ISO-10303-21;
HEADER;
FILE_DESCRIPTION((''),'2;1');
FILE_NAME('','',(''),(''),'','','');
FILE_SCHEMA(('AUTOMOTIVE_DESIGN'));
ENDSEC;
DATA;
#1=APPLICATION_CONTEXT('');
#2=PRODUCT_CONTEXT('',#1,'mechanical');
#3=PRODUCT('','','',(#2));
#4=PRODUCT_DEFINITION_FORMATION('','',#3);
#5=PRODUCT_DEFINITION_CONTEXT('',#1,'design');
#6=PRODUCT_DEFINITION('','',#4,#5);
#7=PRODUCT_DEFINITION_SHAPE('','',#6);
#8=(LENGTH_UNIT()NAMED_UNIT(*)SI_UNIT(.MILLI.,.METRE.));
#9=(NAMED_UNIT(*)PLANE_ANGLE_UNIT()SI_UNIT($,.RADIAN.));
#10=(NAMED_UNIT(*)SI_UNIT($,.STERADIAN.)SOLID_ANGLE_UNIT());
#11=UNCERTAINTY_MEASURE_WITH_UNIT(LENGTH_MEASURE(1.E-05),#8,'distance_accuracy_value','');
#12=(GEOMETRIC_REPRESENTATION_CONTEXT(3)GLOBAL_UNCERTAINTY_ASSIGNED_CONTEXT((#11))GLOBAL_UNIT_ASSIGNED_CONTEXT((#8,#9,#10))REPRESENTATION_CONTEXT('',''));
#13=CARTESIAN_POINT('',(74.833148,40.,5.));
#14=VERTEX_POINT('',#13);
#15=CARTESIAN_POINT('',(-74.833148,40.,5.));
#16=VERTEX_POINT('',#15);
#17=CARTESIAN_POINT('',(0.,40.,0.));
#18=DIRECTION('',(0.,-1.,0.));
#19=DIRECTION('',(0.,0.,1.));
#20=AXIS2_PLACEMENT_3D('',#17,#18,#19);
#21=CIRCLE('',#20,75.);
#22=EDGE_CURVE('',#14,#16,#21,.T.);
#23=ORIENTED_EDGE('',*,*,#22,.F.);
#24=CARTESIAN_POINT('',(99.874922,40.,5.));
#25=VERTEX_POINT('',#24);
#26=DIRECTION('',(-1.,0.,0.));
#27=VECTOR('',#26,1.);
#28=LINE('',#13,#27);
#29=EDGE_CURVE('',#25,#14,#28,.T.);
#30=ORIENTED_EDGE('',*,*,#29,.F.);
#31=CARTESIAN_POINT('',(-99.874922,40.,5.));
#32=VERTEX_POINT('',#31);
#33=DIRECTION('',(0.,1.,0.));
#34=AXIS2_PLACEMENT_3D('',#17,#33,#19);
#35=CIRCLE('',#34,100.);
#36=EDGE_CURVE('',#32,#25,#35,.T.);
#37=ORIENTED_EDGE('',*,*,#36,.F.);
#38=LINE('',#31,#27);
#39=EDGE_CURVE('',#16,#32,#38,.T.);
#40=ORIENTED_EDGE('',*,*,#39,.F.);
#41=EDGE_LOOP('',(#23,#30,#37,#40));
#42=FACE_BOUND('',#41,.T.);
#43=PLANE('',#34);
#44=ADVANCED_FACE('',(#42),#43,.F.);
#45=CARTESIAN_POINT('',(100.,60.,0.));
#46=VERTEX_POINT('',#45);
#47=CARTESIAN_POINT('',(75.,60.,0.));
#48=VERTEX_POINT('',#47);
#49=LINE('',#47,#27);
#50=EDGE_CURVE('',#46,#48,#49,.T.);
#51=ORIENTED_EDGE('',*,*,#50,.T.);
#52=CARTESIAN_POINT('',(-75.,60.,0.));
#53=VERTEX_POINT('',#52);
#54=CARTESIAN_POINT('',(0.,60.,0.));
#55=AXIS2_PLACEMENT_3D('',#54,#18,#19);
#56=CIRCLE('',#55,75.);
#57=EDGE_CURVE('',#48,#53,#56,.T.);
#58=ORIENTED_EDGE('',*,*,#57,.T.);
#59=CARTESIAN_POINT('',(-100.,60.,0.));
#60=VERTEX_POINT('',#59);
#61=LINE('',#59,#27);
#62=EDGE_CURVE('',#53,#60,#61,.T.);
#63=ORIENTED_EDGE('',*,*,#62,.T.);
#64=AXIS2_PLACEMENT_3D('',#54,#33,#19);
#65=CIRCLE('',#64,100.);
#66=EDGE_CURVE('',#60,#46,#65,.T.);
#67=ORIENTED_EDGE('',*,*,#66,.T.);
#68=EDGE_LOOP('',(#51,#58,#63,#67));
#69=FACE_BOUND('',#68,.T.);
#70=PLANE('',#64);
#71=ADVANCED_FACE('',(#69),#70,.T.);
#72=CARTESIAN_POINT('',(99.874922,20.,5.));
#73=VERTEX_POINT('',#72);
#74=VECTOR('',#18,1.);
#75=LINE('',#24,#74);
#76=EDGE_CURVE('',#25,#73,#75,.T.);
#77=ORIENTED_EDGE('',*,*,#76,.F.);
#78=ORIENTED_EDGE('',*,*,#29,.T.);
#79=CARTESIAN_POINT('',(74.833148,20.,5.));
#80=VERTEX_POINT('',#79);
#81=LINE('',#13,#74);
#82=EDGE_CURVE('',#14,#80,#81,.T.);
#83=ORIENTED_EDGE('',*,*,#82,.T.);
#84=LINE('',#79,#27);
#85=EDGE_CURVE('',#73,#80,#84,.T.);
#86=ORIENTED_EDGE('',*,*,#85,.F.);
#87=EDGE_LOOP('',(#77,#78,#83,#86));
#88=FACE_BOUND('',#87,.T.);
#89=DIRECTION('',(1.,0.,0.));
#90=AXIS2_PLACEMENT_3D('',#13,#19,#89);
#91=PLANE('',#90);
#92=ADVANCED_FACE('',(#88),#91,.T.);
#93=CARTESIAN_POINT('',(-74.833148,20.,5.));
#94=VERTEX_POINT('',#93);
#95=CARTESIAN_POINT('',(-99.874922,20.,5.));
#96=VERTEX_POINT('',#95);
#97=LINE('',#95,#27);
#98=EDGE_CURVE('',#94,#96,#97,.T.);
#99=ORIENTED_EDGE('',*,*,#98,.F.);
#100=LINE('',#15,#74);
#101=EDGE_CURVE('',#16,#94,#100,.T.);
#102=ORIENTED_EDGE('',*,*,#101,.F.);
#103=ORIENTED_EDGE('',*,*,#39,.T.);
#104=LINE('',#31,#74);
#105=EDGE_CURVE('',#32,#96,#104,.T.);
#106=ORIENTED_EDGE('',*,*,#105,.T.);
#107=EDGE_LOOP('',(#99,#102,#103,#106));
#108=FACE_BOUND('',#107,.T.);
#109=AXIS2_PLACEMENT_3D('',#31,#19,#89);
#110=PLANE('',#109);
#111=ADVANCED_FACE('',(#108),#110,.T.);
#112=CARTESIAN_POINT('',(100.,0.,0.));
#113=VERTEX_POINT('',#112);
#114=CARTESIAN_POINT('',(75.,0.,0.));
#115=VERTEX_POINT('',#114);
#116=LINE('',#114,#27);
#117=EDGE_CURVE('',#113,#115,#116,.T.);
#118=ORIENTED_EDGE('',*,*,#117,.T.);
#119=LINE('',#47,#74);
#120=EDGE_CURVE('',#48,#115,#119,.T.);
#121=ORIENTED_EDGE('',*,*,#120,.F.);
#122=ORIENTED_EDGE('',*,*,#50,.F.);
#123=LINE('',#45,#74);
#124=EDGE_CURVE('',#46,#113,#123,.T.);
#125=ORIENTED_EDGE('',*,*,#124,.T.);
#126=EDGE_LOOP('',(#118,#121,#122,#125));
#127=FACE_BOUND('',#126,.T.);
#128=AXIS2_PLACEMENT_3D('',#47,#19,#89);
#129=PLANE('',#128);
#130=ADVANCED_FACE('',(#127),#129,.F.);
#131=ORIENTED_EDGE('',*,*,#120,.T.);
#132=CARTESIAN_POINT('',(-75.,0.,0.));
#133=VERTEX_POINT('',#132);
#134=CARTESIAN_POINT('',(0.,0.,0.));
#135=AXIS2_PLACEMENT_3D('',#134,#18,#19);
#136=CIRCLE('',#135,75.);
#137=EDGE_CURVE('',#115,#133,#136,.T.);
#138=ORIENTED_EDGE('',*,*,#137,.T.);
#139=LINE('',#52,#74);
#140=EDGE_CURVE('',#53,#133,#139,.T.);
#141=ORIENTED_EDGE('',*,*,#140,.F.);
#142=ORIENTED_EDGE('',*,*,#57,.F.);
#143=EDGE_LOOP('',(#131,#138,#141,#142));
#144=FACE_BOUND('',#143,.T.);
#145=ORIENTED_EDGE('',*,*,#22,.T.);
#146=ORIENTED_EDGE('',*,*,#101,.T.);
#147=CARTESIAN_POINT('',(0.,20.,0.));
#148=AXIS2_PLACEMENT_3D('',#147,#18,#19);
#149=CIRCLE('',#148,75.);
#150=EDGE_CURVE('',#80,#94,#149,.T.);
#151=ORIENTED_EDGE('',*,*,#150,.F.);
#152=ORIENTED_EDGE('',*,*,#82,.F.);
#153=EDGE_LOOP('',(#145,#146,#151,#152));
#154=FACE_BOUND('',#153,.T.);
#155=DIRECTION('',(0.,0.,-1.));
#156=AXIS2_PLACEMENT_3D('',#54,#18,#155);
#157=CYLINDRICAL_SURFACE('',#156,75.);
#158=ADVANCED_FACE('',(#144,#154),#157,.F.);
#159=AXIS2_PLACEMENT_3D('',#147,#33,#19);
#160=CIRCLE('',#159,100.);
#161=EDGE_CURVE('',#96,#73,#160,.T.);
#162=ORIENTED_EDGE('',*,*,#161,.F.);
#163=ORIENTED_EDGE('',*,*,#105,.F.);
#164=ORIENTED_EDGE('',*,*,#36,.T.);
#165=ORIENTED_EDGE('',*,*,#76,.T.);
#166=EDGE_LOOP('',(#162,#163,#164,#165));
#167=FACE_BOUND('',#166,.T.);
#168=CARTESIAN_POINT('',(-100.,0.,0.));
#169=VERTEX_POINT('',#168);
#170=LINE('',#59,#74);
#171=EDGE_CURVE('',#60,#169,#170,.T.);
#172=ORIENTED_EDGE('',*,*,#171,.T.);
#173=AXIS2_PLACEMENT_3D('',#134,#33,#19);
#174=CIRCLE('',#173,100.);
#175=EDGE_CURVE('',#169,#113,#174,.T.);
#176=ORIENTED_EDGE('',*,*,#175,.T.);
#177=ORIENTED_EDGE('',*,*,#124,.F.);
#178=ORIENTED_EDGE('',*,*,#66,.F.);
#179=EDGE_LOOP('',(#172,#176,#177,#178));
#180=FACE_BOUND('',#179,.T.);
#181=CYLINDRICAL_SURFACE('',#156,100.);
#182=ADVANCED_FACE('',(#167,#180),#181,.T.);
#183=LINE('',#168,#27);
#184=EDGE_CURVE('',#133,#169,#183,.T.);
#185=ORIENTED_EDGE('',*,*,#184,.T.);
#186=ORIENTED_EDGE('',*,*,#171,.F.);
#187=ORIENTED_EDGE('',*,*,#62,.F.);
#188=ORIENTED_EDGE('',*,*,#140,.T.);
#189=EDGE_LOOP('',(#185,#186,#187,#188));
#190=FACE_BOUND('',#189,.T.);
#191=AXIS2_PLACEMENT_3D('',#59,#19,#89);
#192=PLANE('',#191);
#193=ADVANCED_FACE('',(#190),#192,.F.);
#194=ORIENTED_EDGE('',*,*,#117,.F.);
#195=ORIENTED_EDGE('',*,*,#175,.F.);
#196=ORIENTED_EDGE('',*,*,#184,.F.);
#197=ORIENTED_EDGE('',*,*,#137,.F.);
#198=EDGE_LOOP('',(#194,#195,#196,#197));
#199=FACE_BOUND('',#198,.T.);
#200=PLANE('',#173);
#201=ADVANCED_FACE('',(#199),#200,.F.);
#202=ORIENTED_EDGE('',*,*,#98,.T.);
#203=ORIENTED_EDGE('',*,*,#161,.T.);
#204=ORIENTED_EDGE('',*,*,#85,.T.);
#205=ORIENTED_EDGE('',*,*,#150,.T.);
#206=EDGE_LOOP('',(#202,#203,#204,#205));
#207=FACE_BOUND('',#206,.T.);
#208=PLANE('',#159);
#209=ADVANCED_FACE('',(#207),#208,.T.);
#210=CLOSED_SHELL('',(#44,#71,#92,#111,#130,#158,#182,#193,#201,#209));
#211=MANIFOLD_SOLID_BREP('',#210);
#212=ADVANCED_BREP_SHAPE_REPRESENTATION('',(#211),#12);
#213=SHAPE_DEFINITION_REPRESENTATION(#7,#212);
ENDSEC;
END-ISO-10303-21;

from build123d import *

# Parameters (mm, degrees)
BOSS_EXTRUDE1_DEPTH     = 60
CUT_EXTRUDE4_DEPTH      = 10
CUT_EXTRUDE4_DEPTH_BACK = 10


with BuildPart() as part:
    # Sketch2 → Boss-Extrude1 (new body)
    with BuildSketch(Plane(origin=(0, 0, 0), x_dir=(1, 0, 0), z_dir=(0, 1, 0))):
        with BuildLine():
            Line((-100, 0), (-75, 0))
            ThreePointArc((-75, 0), (0, -75), (75, 0))
            Line((75, 0), (100, 0))
            ThreePointArc((100, 0), (0, -100), (-100, 0))
        make_face()
    extrude(amount=BOSS_EXTRUDE1_DEPTH)

    # Sketch4 → Cut-Extrude4 (cut, two sides)
    with BuildSketch(Plane(origin=(0, 30, 0), x_dir=(1, 0, 0), z_dir=(0, 1, 0))) as cut_extrude4_sk:
        with BuildLine():
            Line((-99.874921777, -5), (-74.833147735, -5))
            ThreePointArc((-74.833147735, -5), (0, -75), (74.833147735, -5))
            Line((74.833147735, -5), (99.874921777, -5))
            ThreePointArc((99.874921777, -5), (0, -100), (-99.874921777, -5))
        make_face()
    extrude(amount=CUT_EXTRUDE4_DEPTH, mode=Mode.SUBTRACT)
    extrude(cut_extrude4_sk.sketch, amount=-CUT_EXTRUDE4_DEPTH_BACK, mode=Mode.SUBTRACT)


solid = part.part
